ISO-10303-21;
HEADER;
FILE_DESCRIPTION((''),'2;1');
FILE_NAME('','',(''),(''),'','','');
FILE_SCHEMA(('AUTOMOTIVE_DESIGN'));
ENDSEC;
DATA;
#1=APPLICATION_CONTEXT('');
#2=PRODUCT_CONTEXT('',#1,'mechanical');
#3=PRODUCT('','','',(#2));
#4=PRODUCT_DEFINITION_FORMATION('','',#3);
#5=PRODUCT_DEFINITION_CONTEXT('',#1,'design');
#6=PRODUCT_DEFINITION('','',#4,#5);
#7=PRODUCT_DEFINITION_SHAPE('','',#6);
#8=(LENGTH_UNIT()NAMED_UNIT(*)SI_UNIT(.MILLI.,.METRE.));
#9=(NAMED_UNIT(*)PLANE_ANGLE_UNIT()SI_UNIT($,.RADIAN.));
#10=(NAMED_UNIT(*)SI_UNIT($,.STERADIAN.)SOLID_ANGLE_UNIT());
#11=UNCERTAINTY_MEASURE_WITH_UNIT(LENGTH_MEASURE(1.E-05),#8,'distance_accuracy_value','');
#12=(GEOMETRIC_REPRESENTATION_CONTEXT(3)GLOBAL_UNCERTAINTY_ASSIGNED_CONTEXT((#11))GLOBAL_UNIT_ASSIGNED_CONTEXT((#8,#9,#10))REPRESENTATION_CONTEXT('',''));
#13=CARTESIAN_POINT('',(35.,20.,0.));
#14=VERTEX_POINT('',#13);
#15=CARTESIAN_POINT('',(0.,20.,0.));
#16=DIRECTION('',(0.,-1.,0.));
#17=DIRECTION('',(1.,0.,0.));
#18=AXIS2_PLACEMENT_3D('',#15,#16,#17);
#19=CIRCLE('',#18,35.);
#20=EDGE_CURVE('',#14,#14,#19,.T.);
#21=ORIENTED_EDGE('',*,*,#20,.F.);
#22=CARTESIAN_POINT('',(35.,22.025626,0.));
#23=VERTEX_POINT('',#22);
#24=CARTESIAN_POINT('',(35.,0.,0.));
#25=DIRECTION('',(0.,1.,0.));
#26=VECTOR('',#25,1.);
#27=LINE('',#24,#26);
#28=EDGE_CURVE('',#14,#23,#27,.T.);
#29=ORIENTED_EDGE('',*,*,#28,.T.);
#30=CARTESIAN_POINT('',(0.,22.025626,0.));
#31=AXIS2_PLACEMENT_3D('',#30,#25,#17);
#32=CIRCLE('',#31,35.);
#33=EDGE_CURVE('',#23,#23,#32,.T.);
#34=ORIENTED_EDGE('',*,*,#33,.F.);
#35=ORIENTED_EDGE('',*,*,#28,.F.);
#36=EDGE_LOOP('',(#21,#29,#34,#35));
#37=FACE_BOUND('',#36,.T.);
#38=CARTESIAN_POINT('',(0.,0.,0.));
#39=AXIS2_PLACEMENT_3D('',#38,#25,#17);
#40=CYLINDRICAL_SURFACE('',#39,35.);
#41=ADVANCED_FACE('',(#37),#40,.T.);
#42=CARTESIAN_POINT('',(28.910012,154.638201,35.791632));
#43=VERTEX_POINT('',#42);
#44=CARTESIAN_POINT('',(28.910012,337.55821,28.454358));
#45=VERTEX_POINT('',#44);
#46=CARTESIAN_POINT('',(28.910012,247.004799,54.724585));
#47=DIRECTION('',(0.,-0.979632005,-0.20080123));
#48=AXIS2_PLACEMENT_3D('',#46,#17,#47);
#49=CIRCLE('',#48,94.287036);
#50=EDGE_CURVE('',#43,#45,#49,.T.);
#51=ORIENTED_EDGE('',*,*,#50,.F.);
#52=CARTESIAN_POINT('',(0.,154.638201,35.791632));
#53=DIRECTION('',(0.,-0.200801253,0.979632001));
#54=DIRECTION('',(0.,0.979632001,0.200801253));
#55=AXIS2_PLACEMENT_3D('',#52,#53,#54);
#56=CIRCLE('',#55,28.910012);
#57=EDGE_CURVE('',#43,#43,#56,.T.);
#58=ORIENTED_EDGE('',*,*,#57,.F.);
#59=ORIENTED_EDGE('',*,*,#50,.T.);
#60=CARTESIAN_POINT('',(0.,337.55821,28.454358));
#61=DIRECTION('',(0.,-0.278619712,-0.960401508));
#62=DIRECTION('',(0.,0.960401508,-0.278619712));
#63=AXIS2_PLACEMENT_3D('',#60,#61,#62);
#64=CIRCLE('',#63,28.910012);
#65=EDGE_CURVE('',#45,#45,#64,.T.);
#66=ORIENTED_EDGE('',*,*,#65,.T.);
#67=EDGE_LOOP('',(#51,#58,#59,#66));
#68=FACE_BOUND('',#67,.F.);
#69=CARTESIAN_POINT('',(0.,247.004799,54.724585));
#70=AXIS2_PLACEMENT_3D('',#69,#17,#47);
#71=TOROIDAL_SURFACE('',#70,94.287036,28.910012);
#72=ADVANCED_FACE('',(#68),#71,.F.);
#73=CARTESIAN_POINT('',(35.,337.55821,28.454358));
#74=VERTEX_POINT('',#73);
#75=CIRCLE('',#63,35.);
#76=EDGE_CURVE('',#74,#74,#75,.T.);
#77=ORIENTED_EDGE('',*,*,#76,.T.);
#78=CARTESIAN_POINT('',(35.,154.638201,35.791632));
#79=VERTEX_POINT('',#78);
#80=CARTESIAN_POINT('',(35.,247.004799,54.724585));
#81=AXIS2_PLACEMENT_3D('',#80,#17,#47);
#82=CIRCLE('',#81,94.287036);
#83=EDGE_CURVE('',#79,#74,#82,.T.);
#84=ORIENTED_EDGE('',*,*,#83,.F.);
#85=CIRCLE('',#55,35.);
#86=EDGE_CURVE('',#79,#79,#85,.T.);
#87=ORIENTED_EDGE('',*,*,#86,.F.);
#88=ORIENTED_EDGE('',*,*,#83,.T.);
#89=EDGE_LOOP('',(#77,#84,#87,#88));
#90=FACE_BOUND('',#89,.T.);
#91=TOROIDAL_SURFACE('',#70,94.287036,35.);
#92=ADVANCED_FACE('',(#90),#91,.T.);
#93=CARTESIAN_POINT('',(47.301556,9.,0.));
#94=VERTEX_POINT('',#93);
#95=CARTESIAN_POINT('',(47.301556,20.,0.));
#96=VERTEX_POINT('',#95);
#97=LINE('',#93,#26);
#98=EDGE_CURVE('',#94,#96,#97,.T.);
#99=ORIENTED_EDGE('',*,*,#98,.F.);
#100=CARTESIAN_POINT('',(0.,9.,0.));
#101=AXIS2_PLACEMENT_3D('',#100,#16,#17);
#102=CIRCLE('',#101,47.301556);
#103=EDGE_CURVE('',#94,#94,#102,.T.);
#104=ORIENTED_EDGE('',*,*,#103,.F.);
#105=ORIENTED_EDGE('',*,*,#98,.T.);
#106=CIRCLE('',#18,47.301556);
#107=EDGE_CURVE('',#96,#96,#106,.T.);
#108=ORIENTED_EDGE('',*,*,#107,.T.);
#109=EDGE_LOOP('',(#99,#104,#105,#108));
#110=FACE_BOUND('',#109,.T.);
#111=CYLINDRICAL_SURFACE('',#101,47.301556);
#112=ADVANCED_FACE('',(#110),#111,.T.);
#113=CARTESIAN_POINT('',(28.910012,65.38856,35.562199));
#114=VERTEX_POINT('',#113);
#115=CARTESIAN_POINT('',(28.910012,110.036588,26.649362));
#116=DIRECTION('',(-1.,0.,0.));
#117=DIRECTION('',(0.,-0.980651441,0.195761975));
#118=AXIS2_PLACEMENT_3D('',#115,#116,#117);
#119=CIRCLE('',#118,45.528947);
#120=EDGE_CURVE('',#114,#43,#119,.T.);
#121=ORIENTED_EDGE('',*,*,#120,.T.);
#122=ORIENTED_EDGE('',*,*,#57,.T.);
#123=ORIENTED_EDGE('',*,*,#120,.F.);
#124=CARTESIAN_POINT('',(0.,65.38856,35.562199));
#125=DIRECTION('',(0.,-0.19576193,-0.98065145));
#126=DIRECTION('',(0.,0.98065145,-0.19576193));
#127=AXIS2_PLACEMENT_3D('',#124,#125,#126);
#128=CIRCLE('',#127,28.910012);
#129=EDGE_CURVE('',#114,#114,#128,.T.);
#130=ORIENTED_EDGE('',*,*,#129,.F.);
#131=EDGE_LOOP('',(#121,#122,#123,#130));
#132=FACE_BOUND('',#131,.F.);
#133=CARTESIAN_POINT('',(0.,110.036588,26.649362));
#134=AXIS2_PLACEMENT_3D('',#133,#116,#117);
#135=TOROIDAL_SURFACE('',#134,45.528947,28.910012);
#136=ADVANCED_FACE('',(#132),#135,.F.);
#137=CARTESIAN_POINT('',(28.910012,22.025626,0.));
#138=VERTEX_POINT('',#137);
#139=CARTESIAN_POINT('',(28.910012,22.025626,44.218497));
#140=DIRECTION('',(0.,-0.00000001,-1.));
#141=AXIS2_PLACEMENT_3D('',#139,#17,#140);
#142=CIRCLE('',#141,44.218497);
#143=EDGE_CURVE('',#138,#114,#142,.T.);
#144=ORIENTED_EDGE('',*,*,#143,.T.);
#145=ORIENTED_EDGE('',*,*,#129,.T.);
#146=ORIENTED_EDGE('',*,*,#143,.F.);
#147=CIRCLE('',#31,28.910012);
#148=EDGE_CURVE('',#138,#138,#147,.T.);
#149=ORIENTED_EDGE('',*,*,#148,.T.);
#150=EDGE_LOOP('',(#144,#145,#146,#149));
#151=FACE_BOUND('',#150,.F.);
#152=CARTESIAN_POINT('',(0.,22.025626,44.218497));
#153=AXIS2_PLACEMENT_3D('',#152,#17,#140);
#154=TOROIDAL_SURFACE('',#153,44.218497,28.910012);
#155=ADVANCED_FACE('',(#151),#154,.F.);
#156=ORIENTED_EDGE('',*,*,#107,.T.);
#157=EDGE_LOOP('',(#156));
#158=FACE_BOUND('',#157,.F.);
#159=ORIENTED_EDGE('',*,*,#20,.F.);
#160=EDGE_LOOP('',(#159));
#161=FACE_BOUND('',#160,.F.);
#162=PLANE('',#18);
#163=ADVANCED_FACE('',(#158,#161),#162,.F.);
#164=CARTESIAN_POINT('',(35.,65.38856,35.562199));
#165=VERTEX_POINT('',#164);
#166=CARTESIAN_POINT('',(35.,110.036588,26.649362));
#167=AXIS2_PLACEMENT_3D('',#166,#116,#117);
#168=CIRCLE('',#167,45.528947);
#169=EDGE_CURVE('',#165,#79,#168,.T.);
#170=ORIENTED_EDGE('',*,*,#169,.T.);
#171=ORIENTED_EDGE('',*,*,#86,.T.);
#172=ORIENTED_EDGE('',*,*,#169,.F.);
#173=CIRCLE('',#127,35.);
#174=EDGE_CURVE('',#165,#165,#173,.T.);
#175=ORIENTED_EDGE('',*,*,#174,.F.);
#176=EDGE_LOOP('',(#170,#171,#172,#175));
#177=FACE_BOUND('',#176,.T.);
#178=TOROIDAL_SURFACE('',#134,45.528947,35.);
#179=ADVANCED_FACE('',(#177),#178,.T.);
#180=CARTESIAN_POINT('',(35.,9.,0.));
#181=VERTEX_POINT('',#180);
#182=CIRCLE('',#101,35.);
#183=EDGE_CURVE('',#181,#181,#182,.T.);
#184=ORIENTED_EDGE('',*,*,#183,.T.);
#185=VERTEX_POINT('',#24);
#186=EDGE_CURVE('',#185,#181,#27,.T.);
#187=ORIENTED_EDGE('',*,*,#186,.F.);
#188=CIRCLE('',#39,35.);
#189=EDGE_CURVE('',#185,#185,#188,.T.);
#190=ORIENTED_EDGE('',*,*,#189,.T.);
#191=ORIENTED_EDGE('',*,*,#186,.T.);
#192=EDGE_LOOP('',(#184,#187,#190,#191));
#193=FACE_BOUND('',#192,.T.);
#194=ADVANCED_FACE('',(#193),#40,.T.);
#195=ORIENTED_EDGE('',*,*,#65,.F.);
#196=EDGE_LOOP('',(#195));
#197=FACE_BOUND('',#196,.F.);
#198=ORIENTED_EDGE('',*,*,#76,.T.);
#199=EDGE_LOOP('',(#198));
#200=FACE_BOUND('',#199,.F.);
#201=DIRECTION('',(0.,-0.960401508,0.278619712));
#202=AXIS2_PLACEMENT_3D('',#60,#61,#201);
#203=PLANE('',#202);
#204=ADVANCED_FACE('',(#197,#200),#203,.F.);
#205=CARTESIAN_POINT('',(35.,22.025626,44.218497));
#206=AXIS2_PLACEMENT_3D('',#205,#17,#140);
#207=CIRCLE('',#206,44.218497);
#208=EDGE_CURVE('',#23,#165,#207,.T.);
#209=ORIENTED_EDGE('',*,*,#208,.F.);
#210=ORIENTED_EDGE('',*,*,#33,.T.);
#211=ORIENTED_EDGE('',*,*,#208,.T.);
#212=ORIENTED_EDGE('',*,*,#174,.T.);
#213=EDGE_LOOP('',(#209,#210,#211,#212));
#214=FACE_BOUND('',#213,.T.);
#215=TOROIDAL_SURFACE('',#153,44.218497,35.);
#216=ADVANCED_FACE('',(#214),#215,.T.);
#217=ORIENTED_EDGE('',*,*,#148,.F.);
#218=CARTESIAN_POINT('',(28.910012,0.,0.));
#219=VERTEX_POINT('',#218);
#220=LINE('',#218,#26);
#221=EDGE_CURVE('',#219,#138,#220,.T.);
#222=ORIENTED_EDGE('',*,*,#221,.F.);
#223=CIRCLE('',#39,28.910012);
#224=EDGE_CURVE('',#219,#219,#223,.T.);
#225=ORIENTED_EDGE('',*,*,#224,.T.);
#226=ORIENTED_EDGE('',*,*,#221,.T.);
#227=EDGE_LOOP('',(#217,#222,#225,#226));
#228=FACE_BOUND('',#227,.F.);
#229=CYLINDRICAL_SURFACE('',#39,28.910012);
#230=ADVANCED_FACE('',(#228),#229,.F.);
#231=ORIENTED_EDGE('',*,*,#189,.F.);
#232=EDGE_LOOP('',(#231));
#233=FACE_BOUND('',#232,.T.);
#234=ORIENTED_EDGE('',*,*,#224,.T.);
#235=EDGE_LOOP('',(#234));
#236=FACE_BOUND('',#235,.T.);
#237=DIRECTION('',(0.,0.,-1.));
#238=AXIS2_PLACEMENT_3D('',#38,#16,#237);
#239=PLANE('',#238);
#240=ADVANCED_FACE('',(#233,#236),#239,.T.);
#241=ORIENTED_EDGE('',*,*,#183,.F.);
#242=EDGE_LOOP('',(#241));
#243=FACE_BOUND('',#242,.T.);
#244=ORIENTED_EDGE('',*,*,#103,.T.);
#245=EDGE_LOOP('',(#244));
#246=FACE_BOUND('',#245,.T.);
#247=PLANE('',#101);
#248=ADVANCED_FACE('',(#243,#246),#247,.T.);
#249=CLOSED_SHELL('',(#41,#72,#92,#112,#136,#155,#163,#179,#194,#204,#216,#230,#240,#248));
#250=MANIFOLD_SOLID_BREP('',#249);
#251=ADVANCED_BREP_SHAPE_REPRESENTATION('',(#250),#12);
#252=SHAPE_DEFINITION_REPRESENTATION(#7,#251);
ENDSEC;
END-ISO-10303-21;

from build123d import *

# Parameters (mm, degrees)
F0_R     = 35
F0_R_2   = 28.910012
F4_R     = 47.301556
F4_R_2   = 35
F5_DEPTH = 11


with BuildPart() as f2:
    # F2: sweep along a path in F1
    with BuildLine(Plane.YZ) as f2_path:
        Line((0, 0), (22.025626, 0))
        ThreePointArc((22.025626, 0), (50.065838, 10.027533), (65.38856, 35.562199))
        ThreePointArc((65.38856, 35.562199), (109.919547, 72.178159), (154.638201, 35.791632))
        ThreePointArc((154.638201, 35.791632), (243.225803, -39.48669), (337.55821, 28.454358))
    # F0 (on Front) → F2 (sweep)
    with BuildSketch(Plane.XZ):
        Circle(F0_R)
        Circle(F0_R_2, mode=Mode.SUBTRACT)
    sweep(path=f2_path.line)

    # F4 (on offset) → F5 (join)
    with BuildSketch(Plane.XZ.offset(-9)):
        Circle(F4_R)
        Circle(F4_R_2, mode=Mode.SUBTRACT)
    extrude(amount=-F5_DEPTH)


solid = f2.part
